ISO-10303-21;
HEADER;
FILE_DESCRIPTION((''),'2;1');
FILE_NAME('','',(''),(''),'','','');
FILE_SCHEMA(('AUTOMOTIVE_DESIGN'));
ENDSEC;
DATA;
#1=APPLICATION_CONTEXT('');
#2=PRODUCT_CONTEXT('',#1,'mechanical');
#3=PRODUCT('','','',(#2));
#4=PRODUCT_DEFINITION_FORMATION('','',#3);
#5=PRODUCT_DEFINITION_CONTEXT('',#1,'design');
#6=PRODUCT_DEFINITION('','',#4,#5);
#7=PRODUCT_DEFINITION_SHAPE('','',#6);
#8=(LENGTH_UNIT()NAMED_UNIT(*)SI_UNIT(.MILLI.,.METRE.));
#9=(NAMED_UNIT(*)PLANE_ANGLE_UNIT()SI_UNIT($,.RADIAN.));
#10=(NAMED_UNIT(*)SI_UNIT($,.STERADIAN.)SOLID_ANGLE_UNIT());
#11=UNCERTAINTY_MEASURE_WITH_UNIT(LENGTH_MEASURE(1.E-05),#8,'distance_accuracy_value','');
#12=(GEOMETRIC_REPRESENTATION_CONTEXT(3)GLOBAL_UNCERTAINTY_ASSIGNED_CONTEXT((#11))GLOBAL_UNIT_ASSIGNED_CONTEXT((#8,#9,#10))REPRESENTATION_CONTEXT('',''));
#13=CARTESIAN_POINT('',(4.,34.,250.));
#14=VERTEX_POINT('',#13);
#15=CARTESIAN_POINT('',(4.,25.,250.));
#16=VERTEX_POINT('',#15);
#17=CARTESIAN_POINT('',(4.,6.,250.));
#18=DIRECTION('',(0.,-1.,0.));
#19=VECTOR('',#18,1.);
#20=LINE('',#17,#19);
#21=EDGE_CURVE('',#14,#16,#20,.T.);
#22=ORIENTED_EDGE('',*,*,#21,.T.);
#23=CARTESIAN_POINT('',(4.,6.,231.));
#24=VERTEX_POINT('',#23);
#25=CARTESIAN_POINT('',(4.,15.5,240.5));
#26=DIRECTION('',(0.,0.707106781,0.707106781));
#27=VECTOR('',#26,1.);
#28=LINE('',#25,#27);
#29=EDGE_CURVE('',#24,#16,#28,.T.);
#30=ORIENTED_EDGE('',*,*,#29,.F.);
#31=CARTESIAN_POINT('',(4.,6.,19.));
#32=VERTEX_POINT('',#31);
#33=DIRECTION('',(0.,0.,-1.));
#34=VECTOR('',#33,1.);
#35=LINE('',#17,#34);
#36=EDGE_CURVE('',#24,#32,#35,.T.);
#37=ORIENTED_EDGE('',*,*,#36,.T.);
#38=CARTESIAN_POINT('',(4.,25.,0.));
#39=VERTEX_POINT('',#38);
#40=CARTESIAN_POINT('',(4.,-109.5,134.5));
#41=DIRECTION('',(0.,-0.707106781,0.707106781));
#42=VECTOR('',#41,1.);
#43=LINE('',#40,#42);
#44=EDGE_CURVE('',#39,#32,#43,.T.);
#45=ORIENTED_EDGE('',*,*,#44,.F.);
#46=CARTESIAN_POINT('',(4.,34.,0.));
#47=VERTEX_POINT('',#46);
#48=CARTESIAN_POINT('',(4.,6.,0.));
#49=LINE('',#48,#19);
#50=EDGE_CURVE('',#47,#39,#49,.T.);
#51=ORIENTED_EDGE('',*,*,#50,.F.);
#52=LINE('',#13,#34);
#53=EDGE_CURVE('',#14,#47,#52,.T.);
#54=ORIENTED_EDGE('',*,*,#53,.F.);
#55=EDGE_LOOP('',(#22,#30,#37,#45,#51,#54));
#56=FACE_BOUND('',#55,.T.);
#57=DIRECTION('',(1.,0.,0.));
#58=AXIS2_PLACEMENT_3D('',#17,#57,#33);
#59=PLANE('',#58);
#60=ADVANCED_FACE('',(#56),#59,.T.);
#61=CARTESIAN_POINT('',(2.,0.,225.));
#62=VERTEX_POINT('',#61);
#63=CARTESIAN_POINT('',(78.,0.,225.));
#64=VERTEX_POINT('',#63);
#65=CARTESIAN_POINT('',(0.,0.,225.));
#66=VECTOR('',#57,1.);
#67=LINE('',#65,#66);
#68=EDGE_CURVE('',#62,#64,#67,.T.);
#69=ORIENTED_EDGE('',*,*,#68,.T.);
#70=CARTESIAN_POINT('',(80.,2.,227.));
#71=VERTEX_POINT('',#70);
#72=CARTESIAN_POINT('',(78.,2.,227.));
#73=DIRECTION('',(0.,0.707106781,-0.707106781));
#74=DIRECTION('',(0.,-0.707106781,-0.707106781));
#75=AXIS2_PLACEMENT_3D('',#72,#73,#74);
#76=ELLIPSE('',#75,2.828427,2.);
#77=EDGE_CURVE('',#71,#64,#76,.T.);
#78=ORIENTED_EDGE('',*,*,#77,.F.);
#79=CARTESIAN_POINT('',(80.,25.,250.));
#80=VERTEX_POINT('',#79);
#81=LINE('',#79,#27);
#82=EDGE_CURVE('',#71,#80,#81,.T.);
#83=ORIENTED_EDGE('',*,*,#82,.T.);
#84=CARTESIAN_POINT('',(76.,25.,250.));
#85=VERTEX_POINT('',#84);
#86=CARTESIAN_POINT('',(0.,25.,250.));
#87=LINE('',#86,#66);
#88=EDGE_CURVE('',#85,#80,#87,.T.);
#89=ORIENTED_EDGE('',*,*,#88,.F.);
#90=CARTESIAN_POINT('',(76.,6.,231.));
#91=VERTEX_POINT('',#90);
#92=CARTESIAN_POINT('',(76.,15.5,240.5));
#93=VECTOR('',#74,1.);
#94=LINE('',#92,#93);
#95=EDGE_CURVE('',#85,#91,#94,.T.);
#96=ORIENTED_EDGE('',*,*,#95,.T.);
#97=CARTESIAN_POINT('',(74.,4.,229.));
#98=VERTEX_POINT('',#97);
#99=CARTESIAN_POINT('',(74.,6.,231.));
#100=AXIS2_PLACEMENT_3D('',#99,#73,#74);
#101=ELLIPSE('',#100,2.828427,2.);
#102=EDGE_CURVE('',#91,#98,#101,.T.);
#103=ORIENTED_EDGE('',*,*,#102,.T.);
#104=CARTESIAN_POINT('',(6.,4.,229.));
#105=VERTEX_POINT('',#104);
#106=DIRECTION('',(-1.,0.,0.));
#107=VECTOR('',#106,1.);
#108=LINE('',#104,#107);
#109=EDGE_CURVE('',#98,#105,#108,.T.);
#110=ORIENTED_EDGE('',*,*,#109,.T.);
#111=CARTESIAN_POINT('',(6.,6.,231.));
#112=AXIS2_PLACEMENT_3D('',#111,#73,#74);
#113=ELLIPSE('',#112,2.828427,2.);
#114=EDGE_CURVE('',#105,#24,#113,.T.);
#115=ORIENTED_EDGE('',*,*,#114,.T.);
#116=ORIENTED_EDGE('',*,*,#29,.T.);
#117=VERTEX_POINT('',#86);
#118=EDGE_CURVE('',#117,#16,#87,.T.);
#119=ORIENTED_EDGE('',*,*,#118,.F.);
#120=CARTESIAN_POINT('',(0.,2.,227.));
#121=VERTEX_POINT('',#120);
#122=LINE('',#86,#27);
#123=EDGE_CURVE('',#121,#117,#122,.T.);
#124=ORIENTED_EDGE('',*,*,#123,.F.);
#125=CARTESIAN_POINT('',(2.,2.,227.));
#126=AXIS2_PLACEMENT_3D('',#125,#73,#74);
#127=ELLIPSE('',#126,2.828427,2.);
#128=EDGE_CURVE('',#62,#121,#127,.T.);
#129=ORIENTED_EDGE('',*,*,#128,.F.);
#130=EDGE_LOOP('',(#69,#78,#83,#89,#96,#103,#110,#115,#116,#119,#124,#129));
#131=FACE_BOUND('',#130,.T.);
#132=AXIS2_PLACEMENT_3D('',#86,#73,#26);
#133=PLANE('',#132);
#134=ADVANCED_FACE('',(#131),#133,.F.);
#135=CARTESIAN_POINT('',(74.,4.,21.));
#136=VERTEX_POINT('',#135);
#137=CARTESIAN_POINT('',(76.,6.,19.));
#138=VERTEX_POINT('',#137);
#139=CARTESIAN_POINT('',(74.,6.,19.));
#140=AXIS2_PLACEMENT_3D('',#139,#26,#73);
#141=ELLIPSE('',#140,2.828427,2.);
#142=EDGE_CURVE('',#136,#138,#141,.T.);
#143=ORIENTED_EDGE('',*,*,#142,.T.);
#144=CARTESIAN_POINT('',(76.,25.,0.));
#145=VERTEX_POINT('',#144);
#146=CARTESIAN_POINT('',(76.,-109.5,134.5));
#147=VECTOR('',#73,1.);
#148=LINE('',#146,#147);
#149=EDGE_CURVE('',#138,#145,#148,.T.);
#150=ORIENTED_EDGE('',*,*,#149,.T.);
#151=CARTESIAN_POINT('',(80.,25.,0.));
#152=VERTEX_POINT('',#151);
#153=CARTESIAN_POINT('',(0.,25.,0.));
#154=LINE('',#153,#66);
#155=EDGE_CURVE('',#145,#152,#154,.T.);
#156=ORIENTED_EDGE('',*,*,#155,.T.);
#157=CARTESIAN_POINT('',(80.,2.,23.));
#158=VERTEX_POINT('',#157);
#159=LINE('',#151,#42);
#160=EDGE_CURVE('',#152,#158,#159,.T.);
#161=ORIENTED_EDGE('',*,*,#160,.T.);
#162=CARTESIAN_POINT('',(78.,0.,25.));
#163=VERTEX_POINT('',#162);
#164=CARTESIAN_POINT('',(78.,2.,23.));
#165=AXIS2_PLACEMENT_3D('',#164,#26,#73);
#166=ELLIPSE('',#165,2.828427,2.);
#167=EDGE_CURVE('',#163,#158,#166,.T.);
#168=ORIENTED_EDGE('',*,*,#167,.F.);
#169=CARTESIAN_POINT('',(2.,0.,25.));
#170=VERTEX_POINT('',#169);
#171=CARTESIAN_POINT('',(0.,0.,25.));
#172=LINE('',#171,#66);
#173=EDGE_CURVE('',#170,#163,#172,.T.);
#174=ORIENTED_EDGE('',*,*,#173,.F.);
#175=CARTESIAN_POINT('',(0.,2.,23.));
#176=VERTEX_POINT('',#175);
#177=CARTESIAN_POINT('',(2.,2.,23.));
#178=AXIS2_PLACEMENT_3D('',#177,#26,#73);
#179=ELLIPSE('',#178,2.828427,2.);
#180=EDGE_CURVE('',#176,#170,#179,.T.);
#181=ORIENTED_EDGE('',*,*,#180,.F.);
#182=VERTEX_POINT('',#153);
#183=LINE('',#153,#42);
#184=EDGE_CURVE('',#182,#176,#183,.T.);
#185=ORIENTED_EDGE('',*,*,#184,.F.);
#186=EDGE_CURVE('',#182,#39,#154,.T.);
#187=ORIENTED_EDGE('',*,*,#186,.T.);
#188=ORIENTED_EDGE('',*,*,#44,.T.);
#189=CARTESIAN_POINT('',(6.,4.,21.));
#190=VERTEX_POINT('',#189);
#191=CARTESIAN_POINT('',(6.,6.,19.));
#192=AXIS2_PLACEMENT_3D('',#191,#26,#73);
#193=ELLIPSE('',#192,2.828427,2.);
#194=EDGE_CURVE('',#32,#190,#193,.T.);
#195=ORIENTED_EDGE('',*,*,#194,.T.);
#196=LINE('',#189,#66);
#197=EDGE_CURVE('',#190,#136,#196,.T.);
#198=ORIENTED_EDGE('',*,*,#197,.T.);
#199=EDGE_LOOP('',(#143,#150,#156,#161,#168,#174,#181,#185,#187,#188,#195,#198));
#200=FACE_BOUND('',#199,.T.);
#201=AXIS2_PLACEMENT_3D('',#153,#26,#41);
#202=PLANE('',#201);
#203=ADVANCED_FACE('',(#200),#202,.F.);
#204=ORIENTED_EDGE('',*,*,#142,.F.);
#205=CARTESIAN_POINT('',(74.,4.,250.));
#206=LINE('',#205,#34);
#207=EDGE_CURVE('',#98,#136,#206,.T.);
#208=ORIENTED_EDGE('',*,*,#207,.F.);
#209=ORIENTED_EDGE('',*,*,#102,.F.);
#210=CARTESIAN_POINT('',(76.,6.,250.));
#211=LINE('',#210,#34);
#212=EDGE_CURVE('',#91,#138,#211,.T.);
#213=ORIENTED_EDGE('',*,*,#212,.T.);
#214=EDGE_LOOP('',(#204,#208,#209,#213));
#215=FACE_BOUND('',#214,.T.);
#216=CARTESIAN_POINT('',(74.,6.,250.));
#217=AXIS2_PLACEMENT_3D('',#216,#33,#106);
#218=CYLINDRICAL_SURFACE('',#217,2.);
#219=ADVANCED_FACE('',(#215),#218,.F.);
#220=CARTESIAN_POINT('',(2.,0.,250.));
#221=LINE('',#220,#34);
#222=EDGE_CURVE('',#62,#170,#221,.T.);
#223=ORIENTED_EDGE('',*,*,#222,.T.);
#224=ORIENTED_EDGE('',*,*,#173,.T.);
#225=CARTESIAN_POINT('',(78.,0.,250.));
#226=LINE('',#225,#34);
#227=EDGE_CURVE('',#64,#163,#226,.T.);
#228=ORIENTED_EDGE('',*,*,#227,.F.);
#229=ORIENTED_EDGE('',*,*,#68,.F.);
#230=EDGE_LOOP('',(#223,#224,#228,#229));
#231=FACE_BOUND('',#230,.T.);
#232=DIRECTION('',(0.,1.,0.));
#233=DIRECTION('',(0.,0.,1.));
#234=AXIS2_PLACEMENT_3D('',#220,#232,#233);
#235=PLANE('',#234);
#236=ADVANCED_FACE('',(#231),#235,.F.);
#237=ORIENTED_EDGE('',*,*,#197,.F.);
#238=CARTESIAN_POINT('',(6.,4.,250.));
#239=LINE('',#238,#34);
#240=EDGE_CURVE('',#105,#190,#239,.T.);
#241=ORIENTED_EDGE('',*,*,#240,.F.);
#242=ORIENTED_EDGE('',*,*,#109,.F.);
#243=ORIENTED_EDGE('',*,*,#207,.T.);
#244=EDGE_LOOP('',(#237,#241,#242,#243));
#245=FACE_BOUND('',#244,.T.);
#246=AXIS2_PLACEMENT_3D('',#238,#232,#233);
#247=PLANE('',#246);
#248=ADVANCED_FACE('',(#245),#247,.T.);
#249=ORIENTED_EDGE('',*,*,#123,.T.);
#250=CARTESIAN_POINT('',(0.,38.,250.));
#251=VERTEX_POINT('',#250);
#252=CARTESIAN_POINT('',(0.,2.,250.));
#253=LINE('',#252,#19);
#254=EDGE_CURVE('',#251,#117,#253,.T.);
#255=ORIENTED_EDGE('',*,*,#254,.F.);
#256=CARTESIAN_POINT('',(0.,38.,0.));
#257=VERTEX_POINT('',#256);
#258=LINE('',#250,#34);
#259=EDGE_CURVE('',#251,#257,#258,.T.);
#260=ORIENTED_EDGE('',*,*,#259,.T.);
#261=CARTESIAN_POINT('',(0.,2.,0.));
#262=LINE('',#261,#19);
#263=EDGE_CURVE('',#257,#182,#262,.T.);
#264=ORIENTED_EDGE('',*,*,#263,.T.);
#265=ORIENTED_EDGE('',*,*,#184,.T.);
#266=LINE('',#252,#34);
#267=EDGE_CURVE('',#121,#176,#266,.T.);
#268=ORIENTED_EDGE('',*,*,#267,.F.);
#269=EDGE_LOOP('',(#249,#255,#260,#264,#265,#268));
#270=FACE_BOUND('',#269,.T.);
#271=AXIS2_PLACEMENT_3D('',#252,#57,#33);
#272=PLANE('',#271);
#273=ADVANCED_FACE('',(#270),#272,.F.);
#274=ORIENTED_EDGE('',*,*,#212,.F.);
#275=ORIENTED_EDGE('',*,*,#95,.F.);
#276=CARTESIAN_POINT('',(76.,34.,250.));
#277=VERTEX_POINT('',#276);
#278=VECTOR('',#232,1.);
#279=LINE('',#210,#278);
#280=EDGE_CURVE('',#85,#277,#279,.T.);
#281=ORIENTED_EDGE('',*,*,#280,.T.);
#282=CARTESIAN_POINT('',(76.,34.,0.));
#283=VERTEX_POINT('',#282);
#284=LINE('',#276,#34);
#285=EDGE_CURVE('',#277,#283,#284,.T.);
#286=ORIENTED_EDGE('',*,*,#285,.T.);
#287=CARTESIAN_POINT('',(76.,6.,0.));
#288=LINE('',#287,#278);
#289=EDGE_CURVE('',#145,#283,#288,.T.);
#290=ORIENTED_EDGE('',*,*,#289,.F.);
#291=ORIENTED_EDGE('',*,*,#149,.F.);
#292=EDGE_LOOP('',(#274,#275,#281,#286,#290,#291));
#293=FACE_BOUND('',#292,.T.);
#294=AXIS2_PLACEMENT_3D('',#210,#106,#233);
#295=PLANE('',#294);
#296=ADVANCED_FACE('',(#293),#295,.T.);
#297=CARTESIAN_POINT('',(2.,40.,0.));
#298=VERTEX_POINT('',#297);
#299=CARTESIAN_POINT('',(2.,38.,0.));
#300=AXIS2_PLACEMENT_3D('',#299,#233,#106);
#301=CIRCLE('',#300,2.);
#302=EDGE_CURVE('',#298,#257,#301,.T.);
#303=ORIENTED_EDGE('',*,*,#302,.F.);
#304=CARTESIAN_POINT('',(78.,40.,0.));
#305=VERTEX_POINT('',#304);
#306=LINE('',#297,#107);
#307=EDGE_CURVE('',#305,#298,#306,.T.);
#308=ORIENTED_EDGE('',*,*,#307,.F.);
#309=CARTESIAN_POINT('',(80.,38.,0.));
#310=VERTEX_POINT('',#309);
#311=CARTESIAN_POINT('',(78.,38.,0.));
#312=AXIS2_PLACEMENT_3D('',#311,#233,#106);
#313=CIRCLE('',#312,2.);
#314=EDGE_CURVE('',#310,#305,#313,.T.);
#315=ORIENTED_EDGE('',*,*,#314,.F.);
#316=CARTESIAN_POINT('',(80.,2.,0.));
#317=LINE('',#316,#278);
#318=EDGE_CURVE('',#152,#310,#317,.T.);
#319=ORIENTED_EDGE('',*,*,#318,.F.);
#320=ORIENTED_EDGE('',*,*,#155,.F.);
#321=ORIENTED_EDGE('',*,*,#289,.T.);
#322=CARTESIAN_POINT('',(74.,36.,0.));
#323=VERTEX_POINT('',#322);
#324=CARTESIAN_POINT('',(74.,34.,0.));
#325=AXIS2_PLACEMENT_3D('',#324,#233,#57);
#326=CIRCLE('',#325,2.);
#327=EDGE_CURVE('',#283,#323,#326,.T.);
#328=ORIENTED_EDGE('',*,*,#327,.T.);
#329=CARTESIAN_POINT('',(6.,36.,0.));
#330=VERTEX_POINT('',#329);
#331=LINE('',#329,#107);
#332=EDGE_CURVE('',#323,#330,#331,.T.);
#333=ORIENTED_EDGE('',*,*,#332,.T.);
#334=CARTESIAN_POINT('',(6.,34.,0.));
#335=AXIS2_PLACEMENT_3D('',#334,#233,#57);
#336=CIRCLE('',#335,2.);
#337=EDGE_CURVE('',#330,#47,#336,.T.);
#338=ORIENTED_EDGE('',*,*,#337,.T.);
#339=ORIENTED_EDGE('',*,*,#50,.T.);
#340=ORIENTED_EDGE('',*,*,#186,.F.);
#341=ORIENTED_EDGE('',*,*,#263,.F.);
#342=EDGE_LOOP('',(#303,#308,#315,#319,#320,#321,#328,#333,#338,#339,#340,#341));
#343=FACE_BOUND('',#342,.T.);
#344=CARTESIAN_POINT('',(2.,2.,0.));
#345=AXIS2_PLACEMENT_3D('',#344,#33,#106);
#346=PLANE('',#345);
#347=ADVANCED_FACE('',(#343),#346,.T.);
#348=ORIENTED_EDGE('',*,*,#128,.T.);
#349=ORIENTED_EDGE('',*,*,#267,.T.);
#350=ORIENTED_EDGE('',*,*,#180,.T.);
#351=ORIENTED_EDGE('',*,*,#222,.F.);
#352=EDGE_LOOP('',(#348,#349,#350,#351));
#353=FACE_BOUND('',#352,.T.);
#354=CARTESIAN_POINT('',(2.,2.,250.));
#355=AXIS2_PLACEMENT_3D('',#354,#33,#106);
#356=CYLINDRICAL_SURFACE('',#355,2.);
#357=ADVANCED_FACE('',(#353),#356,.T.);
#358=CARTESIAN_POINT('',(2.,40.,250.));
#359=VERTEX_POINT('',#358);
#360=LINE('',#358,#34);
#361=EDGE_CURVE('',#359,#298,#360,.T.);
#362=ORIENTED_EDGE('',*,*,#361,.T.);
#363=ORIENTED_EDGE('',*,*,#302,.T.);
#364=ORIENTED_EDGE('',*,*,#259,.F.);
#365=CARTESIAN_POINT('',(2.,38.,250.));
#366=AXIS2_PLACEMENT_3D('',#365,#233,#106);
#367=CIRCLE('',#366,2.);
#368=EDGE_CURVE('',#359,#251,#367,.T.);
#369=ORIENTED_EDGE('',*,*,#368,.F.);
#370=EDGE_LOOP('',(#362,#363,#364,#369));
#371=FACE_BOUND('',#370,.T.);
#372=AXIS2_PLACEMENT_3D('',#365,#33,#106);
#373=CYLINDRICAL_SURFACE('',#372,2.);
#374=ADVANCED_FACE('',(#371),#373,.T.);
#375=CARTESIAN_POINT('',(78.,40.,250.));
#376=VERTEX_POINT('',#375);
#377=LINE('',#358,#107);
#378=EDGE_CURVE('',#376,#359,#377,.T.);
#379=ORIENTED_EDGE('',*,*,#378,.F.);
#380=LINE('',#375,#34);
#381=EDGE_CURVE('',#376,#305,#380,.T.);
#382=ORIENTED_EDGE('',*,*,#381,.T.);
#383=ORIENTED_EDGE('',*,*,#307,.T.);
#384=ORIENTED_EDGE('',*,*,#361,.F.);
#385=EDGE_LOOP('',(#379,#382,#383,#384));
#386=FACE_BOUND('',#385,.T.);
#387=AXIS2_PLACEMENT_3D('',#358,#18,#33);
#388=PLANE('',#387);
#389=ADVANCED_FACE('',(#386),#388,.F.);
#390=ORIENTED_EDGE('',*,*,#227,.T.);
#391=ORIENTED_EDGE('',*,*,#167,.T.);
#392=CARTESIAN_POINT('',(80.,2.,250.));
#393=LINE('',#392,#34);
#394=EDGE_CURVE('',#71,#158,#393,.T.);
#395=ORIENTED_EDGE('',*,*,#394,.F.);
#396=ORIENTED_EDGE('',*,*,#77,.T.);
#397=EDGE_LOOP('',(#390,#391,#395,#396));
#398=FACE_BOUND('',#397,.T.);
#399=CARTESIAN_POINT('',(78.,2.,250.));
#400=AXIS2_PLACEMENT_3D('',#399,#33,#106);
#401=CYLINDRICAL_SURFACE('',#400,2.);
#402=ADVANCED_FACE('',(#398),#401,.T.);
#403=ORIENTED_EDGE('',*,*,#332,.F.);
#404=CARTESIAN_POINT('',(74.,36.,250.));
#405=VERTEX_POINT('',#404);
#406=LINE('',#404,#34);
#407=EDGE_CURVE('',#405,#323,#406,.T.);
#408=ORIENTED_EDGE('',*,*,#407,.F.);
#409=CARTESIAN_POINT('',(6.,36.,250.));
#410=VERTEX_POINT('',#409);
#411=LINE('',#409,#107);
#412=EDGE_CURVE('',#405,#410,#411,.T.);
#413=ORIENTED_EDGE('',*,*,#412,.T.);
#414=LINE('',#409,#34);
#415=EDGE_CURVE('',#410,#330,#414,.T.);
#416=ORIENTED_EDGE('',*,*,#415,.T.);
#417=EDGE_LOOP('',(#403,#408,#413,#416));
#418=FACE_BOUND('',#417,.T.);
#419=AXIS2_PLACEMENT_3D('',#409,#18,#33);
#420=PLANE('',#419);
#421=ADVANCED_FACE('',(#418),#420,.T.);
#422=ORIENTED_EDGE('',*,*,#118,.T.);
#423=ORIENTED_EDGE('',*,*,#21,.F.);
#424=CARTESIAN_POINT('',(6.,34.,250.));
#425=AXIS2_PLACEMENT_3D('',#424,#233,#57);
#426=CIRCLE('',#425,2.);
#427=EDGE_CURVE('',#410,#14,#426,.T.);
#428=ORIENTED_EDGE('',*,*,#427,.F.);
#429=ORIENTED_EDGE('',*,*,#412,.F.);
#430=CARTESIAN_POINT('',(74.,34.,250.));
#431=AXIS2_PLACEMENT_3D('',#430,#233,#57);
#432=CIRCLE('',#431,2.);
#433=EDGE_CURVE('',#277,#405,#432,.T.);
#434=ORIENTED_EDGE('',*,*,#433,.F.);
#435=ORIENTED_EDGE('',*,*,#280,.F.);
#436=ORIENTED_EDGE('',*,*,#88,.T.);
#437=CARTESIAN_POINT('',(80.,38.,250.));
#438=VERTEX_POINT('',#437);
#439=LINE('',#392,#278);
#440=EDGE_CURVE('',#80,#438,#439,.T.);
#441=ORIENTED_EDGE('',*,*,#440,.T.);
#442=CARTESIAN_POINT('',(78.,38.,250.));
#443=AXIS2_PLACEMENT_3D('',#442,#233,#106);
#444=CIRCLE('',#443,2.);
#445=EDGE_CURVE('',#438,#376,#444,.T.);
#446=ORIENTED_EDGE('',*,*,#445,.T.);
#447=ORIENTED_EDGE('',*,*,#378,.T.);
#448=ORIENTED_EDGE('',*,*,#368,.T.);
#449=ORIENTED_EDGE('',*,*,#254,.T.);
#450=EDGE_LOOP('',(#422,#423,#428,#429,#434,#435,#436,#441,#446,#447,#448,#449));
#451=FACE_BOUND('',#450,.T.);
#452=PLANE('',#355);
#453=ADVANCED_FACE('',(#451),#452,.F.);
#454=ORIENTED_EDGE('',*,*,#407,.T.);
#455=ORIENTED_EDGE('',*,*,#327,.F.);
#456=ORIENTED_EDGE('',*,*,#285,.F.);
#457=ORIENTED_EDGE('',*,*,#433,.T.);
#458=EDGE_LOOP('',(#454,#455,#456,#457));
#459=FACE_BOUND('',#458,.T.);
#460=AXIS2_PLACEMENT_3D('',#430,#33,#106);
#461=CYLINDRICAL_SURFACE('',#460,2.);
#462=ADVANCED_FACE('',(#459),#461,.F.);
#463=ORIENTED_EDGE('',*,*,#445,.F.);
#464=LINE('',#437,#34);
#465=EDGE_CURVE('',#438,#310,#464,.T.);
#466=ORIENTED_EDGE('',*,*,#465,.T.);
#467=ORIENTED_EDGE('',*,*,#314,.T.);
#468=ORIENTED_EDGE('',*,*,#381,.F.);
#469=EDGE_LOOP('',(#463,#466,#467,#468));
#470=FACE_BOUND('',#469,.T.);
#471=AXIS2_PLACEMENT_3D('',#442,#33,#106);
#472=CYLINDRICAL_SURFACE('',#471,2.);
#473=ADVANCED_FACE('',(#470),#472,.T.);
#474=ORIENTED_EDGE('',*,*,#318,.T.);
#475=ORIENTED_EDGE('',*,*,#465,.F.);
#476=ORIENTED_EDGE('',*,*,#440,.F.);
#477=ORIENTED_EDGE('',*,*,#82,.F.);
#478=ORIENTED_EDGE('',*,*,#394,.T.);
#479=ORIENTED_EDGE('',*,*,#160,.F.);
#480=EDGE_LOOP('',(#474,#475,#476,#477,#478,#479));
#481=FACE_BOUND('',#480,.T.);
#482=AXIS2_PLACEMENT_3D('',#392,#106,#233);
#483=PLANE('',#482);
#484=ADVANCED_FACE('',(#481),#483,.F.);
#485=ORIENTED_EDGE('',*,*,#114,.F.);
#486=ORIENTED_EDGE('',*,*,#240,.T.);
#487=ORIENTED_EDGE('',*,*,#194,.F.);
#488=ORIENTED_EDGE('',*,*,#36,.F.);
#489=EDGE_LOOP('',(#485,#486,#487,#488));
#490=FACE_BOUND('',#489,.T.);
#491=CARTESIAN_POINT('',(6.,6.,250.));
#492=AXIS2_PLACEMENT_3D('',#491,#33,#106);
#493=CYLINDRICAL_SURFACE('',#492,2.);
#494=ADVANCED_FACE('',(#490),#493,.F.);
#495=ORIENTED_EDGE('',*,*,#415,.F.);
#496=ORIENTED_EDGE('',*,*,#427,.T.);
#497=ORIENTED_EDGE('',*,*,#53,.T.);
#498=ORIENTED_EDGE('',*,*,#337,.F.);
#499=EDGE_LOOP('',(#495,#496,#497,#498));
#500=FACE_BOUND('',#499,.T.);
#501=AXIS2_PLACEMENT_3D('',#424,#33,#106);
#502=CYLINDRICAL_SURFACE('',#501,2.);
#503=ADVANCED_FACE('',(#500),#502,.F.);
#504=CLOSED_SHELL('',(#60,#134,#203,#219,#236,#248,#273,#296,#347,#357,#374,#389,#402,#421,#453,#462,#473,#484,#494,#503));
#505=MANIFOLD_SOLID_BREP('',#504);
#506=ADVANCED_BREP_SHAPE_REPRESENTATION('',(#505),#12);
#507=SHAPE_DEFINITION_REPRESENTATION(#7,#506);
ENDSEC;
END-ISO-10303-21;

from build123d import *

# Parameters (mm, degrees)
BOSS_EXTRU_1_DEPTH      = 250
ENL_V_MAT_EXTRU_1_DEPTH = 266.518360947


with BuildPart() as part:
    # Esquisse2 → Boss.-Extru.1 (new body)
    with BuildSketch(Plane.XY):
        with BuildLine():
            Line((2, 0), (78, 0))
            ThreePointArc((78, 0), (79.414213562, 0.585786438), (80, 2))
            Line((80, 2), (80, 38))
            ThreePointArc((80, 38), (79.414213562, 39.414213562), (78, 40))
            Line((78, 40), (2, 40))
            ThreePointArc((2, 40), (0.585786438, 39.414213562), (0, 38))
            Line((0, 38), (0, 2))
            ThreePointArc((0, 2), (0.585786438, 0.585786438), (2, 0))
        make_face()
        with BuildLine():
            Line((6, 4), (74, 4))
            ThreePointArc((74, 4), (75.414213562, 4.585786438), (76, 6))
            Line((76, 6), (76, 34))
            ThreePointArc((76, 34), (75.414213562, 35.414213562), (74, 36))
            Line((74, 36), (6, 36))
            ThreePointArc((6, 36), (4.585786438, 35.414213562), (4, 34))
            Line((4, 34), (4, 6))
            ThreePointArc((4, 6), (4.585786438, 4.585786438), (6, 4))
        make_face(mode=Mode.SUBTRACT)
    extrude(amount=BOSS_EXTRU_1_DEPTH)

    # Esquisse3 → Enlèv. mat.-Extru.1 (cut, through all)
    with BuildSketch(Plane(origin=(80, 0, 0), x_dir=(0, 0, -1), z_dir=(1, 0, 0))):
        Polygon((0, 25), (-25, 0), (0, 0), align=None)
        Polygon((-250, 25), (-225, 0), (-250, 0), align=None)
    extrude(amount=-ENL_V_MAT_EXTRU_1_DEPTH, mode=Mode.SUBTRACT)


solid = part.part
